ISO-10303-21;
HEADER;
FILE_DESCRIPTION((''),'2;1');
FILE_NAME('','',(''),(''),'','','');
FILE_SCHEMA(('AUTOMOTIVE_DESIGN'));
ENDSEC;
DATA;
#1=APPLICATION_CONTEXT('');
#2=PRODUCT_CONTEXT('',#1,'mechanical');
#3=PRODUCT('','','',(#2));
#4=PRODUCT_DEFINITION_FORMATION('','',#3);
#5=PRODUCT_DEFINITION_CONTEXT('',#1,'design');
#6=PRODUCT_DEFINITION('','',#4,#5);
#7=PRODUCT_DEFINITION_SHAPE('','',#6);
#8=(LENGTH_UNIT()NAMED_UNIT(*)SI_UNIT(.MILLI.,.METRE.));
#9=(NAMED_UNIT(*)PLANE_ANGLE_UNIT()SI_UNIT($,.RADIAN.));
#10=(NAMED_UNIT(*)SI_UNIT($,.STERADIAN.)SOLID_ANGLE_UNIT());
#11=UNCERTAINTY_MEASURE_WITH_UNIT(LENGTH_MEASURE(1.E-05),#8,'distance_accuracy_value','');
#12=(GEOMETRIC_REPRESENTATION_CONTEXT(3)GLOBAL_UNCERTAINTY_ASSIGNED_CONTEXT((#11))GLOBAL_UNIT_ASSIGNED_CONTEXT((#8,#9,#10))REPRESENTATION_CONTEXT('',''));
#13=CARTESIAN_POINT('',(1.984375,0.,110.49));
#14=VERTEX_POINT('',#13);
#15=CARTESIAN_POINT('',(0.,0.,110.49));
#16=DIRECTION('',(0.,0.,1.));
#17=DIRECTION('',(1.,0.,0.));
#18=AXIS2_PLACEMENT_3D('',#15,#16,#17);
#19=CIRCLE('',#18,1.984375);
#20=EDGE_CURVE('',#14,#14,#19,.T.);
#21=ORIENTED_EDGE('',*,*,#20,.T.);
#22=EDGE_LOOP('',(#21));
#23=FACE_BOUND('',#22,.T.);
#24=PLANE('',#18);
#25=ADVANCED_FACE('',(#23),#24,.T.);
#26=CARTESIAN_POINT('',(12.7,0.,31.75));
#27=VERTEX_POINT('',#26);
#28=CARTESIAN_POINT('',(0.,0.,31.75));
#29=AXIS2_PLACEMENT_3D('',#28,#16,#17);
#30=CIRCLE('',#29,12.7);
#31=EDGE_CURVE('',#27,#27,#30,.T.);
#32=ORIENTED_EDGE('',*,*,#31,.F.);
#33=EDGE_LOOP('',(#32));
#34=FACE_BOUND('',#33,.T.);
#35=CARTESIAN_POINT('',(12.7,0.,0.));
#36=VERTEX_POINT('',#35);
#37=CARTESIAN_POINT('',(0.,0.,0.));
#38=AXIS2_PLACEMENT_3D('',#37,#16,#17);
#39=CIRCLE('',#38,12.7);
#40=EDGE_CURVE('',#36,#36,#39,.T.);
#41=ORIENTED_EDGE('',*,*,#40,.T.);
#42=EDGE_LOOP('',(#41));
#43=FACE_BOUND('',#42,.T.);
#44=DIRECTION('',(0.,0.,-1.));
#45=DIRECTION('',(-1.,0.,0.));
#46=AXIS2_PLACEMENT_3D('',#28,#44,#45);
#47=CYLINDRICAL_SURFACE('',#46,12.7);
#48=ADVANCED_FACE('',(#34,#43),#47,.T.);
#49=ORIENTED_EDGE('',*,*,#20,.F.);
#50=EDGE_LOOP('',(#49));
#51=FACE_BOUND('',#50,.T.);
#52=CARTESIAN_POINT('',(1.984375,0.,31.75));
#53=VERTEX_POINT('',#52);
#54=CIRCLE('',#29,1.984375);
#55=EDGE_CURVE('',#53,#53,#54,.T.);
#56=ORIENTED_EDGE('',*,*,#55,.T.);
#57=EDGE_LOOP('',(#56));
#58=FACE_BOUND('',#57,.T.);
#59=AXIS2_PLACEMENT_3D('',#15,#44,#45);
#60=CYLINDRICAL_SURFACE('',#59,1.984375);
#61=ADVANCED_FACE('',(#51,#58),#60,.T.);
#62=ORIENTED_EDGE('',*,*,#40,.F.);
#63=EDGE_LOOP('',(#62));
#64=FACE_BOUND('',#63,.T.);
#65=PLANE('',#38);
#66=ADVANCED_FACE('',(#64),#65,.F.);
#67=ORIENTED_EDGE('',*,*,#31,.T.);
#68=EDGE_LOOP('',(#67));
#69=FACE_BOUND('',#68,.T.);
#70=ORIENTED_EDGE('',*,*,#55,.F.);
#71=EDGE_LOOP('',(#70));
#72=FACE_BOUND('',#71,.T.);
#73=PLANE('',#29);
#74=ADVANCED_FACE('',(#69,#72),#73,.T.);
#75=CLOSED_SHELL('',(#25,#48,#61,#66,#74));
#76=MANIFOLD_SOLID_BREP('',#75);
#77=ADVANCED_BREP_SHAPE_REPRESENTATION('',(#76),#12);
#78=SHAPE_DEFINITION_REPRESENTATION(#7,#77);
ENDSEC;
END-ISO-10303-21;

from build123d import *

# Parameters (mm, degrees)
SKETCH1_R           = 12.7
BOSS_EXTRUDE1_DEPTH = 31.75
SKETCH2_R           = 1.984375
BOSS_EXTRUDE2_DEPTH = 78.74


with BuildPart() as part:
    # Sketch1 → Boss-Extrude1 (new body)
    with BuildSketch(Plane.XY):
        Circle(SKETCH1_R)
    extrude(amount=BOSS_EXTRUDE1_DEPTH)

    # Sketch2 → Boss-Extrude2 (add)
    with BuildSketch(Plane.XY.offset(31.75)):
        Circle(SKETCH2_R)
    extrude(amount=BOSS_EXTRUDE2_DEPTH)


solid = part.part
